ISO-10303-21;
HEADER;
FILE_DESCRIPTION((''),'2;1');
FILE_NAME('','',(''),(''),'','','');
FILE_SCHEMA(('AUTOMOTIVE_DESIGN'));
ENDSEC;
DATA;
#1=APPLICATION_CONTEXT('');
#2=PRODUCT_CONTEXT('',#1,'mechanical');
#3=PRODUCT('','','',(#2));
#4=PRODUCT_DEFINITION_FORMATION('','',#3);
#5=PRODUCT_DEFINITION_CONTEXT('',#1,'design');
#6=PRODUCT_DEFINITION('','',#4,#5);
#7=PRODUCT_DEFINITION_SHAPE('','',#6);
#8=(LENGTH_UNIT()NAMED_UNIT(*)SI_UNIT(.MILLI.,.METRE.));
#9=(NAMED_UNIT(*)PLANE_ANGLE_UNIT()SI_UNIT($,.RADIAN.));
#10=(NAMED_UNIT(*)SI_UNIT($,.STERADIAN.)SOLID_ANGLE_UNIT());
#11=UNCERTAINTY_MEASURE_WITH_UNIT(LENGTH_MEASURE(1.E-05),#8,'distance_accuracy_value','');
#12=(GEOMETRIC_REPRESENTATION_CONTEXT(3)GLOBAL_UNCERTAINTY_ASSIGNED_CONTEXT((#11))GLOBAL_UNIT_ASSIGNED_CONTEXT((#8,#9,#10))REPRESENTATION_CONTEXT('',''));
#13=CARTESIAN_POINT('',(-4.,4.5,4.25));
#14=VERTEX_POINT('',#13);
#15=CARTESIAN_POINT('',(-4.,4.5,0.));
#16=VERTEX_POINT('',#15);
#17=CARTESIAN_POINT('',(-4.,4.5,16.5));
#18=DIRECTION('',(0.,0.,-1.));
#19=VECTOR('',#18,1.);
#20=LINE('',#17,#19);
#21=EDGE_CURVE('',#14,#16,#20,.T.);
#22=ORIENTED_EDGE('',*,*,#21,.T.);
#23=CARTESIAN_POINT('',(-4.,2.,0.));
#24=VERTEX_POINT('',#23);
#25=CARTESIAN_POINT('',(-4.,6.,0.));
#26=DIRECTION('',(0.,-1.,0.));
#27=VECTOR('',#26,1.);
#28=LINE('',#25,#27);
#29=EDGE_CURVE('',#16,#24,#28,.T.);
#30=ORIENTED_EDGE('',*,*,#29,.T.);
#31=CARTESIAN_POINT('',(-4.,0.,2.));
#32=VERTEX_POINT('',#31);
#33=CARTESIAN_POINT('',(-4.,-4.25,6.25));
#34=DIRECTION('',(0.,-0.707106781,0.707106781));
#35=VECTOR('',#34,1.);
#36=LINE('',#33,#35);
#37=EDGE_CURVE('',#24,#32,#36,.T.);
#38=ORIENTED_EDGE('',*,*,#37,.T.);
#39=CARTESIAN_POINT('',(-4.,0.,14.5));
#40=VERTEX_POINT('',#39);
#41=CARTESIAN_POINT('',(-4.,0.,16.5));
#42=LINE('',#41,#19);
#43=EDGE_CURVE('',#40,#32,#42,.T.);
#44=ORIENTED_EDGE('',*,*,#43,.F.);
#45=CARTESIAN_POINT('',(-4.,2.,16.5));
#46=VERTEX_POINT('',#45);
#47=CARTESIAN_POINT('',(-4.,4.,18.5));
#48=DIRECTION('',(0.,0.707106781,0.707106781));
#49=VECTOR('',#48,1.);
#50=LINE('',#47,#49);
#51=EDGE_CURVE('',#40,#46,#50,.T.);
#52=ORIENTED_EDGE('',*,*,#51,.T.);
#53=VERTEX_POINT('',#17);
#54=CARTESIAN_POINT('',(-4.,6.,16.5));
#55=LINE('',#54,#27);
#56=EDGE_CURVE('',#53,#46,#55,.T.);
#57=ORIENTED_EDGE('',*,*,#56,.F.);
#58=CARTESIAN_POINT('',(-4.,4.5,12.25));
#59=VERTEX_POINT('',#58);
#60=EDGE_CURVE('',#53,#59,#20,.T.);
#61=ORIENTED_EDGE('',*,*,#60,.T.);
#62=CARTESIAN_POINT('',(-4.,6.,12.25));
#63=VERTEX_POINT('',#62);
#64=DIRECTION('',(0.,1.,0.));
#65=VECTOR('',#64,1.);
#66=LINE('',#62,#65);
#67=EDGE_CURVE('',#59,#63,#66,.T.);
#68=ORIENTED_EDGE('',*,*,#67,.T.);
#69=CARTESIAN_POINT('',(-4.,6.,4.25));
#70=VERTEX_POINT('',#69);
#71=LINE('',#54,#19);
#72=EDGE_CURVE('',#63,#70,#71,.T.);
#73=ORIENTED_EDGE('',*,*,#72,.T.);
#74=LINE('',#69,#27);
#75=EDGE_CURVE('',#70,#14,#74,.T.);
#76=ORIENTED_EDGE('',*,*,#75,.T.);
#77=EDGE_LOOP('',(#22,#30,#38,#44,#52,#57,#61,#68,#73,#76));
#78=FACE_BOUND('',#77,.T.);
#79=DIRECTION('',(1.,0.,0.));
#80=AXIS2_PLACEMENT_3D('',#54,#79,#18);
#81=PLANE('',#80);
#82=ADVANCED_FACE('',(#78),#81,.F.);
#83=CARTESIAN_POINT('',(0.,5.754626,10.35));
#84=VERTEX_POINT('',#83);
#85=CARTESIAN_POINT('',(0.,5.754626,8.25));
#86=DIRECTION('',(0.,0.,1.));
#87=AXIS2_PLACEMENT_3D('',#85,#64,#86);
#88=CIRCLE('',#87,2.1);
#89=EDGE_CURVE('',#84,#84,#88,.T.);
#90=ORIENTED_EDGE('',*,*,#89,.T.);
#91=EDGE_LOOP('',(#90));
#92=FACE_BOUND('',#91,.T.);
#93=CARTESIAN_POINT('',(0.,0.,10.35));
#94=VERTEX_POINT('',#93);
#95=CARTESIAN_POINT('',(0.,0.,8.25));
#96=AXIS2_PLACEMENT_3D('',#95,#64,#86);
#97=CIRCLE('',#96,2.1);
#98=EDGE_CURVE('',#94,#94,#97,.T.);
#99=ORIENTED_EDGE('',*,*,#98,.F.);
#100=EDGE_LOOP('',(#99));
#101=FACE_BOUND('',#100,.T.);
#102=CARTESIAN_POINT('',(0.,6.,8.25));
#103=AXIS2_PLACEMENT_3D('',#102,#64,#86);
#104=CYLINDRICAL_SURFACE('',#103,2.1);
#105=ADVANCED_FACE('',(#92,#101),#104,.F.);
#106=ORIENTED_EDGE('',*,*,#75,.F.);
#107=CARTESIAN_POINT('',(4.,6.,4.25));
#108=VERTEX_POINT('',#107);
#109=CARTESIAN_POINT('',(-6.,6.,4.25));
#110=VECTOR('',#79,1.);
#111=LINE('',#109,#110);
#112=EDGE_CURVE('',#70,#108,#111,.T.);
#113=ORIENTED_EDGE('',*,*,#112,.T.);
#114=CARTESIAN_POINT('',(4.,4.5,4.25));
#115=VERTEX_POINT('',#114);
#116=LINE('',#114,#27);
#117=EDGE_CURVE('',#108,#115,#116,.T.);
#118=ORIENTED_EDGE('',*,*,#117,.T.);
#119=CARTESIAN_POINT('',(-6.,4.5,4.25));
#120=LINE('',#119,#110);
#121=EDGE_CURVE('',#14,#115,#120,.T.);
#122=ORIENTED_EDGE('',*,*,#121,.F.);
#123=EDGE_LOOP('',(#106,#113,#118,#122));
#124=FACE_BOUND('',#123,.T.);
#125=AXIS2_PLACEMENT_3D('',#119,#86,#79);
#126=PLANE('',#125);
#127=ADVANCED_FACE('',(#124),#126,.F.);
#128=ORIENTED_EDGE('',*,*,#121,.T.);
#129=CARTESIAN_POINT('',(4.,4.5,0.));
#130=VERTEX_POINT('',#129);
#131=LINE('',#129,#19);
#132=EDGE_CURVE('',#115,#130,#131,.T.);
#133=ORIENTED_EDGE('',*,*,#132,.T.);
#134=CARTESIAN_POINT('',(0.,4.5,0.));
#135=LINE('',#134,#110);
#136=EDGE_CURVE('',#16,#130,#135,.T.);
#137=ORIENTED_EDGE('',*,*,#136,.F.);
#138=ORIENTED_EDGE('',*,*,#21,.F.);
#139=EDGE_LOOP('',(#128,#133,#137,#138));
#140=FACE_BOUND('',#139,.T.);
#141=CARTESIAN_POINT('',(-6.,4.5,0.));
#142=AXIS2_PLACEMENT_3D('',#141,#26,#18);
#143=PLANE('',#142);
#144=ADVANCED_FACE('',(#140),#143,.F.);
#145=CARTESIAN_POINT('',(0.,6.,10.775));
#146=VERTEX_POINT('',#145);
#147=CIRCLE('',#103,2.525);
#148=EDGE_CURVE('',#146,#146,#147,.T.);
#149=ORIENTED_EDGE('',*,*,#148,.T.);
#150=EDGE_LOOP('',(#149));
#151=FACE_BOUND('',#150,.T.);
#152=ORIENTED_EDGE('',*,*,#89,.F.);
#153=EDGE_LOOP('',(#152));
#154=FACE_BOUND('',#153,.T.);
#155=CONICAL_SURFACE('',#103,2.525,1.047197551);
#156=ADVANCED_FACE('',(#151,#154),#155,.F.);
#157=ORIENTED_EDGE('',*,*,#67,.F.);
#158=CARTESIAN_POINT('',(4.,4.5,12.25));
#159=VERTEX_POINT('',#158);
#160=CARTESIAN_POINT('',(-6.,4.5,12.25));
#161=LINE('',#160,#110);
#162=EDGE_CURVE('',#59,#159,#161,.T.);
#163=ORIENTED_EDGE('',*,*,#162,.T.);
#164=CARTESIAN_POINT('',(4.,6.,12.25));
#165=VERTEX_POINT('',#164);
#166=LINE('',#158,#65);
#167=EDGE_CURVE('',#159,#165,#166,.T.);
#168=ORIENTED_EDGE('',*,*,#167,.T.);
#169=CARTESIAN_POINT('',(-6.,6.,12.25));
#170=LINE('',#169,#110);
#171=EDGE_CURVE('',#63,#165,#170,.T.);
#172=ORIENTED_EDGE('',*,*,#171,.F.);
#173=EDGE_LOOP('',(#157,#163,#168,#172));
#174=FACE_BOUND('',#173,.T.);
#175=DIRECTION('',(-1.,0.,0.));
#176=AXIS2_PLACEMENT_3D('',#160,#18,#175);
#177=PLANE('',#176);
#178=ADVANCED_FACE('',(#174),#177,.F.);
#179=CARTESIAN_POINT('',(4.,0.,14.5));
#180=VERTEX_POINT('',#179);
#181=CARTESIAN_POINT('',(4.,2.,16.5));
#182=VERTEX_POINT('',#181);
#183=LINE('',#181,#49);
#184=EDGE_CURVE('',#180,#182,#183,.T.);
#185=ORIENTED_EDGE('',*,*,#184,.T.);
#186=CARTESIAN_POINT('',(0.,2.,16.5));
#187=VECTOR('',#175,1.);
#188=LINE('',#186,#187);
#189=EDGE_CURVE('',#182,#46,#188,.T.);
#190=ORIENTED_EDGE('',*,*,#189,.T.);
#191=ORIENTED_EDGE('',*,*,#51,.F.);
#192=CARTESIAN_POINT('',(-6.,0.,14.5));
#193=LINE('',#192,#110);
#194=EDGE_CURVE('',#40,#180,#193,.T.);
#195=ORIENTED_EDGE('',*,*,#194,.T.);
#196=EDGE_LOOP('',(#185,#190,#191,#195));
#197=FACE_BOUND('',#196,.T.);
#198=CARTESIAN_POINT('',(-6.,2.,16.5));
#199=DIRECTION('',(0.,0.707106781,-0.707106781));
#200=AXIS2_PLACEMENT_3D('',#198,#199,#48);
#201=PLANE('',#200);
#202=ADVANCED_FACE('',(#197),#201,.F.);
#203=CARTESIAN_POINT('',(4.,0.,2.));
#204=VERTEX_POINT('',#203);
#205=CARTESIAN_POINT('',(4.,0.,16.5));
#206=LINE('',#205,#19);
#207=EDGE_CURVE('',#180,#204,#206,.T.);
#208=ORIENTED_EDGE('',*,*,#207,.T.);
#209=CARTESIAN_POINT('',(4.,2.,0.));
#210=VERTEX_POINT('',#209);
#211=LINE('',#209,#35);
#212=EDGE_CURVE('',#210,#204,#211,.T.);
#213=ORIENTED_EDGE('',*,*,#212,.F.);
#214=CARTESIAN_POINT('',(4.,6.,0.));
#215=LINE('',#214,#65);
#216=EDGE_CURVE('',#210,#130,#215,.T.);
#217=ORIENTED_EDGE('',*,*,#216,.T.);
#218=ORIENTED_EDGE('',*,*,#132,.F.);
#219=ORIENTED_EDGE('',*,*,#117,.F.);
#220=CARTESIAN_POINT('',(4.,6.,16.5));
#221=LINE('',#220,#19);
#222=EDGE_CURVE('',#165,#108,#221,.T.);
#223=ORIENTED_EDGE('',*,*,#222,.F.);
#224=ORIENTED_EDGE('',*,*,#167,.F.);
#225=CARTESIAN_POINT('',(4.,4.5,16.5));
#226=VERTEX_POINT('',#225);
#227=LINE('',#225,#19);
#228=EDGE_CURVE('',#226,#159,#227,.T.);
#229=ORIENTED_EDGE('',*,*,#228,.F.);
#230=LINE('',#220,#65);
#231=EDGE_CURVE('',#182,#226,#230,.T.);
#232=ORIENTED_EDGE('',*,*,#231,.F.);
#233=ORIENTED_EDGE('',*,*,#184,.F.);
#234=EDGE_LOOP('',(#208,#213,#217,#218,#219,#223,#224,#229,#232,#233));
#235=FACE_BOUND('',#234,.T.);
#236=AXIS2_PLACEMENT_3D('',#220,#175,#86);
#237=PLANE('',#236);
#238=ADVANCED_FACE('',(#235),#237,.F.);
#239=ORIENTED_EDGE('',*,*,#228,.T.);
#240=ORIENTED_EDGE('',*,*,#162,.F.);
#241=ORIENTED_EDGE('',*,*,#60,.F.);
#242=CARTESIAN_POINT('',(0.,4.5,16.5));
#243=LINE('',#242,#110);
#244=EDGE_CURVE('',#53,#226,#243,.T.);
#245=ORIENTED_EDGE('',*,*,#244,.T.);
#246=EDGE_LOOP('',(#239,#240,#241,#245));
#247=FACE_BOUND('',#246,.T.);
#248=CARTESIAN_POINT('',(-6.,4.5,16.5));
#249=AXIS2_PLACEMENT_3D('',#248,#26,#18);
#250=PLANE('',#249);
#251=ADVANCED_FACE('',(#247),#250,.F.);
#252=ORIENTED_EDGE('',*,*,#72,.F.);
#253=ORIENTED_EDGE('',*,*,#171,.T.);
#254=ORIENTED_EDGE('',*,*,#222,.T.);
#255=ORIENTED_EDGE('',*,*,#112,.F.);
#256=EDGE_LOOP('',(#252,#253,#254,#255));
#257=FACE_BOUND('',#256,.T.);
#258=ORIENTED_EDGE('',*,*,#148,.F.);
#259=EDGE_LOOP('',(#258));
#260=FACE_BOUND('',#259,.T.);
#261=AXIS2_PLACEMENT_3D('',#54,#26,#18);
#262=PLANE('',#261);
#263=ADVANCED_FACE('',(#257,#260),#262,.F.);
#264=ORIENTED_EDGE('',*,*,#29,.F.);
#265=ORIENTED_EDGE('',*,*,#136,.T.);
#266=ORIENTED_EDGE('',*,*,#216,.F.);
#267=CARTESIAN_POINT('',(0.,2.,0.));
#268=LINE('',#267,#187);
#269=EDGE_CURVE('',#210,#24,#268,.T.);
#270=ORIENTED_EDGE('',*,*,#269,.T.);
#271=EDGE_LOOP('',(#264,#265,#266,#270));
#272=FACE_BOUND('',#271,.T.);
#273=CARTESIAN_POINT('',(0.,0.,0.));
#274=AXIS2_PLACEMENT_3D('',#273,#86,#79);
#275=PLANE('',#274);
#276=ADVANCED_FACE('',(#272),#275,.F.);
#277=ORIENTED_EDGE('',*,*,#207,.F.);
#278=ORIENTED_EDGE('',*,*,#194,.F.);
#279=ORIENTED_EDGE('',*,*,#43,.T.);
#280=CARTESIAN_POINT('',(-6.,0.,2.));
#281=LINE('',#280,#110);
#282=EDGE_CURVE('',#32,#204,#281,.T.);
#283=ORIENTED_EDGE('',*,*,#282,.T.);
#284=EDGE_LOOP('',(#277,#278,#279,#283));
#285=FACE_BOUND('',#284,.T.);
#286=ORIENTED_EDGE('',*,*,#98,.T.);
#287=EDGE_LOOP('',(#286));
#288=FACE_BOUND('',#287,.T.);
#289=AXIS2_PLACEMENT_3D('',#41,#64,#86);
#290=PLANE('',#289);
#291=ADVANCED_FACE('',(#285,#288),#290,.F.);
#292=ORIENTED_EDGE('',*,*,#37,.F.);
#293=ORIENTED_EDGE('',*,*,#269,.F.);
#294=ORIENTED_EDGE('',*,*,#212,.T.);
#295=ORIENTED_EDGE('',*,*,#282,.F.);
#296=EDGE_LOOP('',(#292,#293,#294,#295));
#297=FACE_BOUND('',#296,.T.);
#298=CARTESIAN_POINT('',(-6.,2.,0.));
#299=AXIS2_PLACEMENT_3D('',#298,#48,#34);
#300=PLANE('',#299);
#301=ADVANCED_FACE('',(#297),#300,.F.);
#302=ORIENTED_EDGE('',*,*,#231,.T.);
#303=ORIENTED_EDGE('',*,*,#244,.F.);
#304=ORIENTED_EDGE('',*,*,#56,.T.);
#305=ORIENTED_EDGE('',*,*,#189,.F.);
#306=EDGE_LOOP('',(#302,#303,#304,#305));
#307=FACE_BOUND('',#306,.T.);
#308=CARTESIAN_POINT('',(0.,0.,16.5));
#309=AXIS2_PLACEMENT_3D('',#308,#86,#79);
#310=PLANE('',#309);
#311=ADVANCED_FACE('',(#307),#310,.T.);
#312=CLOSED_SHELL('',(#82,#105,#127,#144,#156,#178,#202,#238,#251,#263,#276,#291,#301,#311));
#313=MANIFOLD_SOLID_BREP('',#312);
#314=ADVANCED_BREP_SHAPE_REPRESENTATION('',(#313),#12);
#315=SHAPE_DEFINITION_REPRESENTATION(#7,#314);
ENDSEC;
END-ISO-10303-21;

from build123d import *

# Parameters (mm, degrees)
SCHIZZO1_W                      = 8
SCHIZZO1_H                      = 6
ESTRUSIONE_ESTRUSIONE1_DEPTH    = 16.5
FORO_FILETTATO_M5_1_D           = 4.2
FORO_FILETTATO_M5_1_CSINK_D     = 5.05
FORO_FILETTATO_M5_1_CSINK_ANGLE = 120
SCHIZZO4_W                      = 4.25
SCHIZZO4_H                      = 1.5
TAGLIO_ESTRUSIONE1_DEPTH        = 10


with BuildPart() as part:
    # Schizzo1 → Estrusione-Estrusione1 (new body)
    with BuildSketch(Plane.XY):
        with Locations((0, 3)):
            Rectangle(SCHIZZO1_W, SCHIZZO1_H)
    extrude(amount=ESTRUSIONE_ESTRUSIONE1_DEPTH)

    # Foro filettato M5-1 (through all)
    with Locations(Plane(origin=(0, 6, 0), x_dir=(1, 0, 0), z_dir=(0, 1, 0))):
        with Locations((0, -8.25)):
            CounterSinkHole(FORO_FILETTATO_M5_1_D / 2, FORO_FILETTATO_M5_1_CSINK_D / 2, counter_sink_angle=FORO_FILETTATO_M5_1_CSINK_ANGLE)

    # Schizzo4 → Taglio-Estrusione1 (cut)
    with BuildSketch(Plane(origin=(4, 0, 0), x_dir=(0, 0, -1), z_dir=(1, 0, 0))):
        Polygon((-16.5, 0), (-16.5, 2), (-14.5, 0), align=None)
        Polygon((0, 0), (0, 2), (-2, 0), align=None)
        with Locations((-2.125, 5.25)):
            Rectangle(SCHIZZO4_W, SCHIZZO4_H)
        with Locations((-14.375, 5.25)):
            Rectangle(SCHIZZO4_W, SCHIZZO4_H)
    extrude(amount=-TAGLIO_ESTRUSIONE1_DEPTH, mode=Mode.SUBTRACT)


solid = part.part
